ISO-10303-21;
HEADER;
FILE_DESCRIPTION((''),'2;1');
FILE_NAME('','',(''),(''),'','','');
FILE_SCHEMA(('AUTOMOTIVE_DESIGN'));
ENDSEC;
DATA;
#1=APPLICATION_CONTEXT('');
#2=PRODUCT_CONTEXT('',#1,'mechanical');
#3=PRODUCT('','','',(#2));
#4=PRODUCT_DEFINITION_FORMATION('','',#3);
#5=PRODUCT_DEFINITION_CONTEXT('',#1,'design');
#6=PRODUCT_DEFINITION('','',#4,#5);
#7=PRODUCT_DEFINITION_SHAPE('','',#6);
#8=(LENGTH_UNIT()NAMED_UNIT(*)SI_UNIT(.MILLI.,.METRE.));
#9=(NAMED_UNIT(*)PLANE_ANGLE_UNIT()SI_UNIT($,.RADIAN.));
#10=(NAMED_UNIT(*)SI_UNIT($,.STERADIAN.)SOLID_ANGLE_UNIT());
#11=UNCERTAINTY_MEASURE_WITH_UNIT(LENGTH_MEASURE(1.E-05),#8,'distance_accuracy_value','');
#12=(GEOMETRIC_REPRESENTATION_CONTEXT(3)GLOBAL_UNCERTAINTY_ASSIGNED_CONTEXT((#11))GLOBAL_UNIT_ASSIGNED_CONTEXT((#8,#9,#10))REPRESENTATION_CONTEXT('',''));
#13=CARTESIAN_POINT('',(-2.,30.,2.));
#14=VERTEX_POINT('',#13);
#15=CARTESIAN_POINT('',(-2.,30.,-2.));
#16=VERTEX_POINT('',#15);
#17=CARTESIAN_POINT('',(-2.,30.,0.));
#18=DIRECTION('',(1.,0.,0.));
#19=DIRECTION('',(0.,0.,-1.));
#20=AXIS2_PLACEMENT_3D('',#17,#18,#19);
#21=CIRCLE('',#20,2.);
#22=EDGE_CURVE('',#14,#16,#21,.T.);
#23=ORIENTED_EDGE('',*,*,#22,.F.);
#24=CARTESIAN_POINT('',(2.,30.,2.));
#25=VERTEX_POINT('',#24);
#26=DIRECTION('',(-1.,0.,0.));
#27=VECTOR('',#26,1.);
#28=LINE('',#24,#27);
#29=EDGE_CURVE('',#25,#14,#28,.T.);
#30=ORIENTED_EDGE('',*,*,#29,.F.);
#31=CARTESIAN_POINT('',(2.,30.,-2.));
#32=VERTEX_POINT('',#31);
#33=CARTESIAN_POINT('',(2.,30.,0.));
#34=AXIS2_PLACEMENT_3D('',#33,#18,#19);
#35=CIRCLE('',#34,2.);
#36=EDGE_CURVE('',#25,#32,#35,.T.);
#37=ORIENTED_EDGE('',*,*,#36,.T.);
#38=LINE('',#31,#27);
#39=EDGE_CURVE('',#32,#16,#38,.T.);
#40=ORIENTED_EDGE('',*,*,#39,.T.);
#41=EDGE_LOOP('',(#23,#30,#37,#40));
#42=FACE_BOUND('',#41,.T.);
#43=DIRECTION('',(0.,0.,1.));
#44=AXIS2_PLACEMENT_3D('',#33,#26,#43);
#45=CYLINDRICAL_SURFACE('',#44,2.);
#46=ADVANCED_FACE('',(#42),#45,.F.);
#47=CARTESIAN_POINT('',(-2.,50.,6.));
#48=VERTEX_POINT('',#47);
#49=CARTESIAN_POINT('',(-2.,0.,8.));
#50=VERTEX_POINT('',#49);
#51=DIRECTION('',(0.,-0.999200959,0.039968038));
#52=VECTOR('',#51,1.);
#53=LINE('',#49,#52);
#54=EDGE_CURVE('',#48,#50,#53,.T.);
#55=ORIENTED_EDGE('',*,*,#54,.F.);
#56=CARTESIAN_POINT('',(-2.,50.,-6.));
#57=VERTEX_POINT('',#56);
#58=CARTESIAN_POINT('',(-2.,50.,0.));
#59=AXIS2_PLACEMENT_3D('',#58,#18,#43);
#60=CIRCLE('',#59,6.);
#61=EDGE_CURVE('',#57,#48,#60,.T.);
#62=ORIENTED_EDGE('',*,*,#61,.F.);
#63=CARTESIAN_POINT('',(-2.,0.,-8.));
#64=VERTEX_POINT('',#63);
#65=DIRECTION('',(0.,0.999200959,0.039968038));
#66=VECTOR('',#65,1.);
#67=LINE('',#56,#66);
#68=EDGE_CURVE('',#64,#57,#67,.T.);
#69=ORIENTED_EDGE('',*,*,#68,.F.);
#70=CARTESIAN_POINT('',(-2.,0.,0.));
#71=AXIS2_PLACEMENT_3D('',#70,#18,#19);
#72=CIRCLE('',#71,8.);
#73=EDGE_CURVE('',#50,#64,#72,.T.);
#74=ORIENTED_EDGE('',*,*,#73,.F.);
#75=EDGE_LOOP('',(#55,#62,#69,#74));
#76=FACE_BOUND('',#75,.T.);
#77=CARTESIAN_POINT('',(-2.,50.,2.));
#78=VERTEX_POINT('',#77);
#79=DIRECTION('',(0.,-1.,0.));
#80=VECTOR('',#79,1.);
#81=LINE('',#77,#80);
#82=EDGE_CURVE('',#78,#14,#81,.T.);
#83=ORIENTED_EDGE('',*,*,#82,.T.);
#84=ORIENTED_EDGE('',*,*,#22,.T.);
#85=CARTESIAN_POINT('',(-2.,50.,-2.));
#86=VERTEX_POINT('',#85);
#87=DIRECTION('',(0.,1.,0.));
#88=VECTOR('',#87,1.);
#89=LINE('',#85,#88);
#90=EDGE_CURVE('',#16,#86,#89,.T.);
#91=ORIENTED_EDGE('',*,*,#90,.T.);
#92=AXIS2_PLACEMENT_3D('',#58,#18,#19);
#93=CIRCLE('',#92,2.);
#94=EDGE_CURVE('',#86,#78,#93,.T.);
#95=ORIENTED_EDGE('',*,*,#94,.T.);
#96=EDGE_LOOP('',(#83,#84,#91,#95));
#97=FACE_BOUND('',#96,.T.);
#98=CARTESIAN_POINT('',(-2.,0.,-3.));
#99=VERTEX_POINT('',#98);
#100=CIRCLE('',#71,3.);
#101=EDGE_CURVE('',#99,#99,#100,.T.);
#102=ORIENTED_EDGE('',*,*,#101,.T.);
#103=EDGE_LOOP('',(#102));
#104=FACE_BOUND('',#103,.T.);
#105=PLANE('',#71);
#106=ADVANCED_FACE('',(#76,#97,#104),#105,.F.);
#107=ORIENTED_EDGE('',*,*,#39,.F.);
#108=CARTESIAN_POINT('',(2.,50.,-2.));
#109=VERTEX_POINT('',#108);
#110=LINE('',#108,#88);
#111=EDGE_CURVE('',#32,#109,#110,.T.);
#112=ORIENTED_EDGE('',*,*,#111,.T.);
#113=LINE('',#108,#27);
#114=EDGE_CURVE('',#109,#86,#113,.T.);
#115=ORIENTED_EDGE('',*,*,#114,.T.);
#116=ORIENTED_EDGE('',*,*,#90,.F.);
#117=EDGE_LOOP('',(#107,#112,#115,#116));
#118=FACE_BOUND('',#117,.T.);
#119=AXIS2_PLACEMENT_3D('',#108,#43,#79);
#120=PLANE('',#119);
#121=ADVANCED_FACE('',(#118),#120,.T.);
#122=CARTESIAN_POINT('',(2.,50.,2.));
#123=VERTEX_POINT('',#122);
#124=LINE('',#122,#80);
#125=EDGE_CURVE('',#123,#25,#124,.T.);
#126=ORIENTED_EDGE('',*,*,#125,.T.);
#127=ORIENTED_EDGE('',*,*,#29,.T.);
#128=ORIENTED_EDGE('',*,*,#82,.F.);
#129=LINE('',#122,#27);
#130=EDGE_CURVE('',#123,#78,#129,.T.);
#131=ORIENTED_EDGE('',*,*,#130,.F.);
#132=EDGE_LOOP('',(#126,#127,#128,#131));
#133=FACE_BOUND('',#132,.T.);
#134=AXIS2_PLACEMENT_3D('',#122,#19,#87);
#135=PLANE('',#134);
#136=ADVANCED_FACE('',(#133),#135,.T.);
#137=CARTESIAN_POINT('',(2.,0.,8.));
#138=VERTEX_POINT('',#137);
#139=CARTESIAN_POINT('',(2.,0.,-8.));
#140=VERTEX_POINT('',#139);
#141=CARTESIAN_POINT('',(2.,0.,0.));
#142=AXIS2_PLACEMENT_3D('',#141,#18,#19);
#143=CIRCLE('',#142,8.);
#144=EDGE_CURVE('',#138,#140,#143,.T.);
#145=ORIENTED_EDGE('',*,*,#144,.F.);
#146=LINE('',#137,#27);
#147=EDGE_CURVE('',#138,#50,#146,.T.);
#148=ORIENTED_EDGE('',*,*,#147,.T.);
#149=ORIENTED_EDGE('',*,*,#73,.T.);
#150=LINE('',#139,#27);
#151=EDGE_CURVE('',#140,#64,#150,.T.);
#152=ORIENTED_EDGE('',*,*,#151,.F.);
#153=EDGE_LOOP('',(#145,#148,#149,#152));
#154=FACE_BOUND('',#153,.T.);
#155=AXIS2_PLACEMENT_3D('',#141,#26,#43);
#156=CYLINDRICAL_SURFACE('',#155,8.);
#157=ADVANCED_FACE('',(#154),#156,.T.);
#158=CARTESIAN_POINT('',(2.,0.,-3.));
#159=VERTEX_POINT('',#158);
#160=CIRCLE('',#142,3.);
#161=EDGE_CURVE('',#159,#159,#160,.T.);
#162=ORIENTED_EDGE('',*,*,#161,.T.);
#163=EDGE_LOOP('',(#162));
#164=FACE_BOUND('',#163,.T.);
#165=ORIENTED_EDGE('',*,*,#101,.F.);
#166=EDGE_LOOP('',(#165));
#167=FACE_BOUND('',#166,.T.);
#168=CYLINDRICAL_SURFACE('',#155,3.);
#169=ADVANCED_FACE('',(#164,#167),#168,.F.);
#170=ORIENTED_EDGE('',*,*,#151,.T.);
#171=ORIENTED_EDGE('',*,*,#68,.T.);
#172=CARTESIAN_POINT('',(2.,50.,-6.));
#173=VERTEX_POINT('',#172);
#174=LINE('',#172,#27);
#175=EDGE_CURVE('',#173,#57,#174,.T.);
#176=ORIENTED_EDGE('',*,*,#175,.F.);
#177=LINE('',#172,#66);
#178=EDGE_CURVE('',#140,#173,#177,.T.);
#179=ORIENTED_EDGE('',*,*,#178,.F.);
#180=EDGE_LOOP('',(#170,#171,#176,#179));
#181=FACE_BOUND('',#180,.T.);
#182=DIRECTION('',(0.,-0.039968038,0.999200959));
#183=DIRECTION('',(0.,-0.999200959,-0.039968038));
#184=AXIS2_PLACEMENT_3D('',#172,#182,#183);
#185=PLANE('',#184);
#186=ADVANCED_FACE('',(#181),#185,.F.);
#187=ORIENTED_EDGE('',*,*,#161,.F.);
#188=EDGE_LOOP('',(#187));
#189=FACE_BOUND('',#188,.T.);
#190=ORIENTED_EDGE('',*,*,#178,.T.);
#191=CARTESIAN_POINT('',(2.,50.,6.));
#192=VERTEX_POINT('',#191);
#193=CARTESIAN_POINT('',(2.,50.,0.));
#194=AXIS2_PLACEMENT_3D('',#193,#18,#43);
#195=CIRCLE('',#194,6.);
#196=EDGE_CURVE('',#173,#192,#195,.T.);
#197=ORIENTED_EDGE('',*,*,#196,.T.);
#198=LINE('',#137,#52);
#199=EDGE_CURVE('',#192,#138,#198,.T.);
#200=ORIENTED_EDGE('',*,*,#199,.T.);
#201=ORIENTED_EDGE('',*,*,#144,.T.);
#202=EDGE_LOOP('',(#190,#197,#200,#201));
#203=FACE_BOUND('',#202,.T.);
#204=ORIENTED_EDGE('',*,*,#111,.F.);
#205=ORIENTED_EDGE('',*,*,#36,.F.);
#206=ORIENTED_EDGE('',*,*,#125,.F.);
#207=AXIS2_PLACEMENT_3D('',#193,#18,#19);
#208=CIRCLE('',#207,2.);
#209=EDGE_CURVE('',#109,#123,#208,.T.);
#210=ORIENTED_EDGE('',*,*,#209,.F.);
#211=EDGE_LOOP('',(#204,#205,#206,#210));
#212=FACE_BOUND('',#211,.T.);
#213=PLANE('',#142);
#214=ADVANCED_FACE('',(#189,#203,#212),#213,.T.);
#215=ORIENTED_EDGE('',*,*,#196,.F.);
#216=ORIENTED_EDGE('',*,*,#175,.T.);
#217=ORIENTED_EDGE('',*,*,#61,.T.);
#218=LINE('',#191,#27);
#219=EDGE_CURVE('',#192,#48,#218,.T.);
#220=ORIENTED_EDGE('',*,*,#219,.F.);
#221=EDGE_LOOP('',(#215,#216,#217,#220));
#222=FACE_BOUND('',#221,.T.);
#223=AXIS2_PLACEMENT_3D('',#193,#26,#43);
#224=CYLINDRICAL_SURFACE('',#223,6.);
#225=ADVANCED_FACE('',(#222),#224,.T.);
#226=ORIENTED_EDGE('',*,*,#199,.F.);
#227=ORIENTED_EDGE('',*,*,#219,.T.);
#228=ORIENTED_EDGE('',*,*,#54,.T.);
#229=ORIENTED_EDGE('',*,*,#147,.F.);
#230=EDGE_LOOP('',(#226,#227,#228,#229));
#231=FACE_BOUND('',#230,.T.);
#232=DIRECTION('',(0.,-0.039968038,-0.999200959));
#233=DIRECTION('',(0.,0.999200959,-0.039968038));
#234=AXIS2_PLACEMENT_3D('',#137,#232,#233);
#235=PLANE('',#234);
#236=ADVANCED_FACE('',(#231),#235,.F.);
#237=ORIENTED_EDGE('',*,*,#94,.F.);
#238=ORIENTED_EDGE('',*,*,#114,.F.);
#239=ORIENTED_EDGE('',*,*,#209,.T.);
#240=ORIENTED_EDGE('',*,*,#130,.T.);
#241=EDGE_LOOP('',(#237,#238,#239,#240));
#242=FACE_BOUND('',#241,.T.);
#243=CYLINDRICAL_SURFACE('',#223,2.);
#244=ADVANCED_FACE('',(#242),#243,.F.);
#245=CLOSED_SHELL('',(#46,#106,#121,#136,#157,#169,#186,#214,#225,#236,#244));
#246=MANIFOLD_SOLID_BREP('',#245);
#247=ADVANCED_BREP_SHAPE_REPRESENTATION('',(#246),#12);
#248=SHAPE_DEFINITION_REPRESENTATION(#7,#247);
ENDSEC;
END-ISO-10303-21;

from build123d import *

# Parameters (mm, degrees)
SKETCH1_R           = 3
BOSS_EXTRUDE1_DEPTH = 2


with BuildPart() as part:
    # Sketch1 → Boss-Extrude1 (new, symmetric)
    with BuildSketch(Plane(origin=(0, 0, 0), x_dir=(0, 0, -1), z_dir=(1, 0, 0))):
        with BuildLine():
            Line((-8, 0), (-6, 50))
            ThreePointArc((-6, 50), (0, 56), (6, 50))
            Line((6, 50), (8, 0))
            ThreePointArc((8, 0), (0, -8), (-8, 0))
        make_face()
        Circle(SKETCH1_R, mode=Mode.SUBTRACT)
        with BuildLine():
            Line((2, 50), (2, 30))
            ThreePointArc((2, 30), (0, 28), (-2, 30))
            Line((-2, 30), (-2, 50))
            ThreePointArc((-2, 50), (0, 52), (2, 50))
        make_face(mode=Mode.SUBTRACT)
    extrude(amount=BOSS_EXTRUDE1_DEPTH, both=True)


solid = part.part
